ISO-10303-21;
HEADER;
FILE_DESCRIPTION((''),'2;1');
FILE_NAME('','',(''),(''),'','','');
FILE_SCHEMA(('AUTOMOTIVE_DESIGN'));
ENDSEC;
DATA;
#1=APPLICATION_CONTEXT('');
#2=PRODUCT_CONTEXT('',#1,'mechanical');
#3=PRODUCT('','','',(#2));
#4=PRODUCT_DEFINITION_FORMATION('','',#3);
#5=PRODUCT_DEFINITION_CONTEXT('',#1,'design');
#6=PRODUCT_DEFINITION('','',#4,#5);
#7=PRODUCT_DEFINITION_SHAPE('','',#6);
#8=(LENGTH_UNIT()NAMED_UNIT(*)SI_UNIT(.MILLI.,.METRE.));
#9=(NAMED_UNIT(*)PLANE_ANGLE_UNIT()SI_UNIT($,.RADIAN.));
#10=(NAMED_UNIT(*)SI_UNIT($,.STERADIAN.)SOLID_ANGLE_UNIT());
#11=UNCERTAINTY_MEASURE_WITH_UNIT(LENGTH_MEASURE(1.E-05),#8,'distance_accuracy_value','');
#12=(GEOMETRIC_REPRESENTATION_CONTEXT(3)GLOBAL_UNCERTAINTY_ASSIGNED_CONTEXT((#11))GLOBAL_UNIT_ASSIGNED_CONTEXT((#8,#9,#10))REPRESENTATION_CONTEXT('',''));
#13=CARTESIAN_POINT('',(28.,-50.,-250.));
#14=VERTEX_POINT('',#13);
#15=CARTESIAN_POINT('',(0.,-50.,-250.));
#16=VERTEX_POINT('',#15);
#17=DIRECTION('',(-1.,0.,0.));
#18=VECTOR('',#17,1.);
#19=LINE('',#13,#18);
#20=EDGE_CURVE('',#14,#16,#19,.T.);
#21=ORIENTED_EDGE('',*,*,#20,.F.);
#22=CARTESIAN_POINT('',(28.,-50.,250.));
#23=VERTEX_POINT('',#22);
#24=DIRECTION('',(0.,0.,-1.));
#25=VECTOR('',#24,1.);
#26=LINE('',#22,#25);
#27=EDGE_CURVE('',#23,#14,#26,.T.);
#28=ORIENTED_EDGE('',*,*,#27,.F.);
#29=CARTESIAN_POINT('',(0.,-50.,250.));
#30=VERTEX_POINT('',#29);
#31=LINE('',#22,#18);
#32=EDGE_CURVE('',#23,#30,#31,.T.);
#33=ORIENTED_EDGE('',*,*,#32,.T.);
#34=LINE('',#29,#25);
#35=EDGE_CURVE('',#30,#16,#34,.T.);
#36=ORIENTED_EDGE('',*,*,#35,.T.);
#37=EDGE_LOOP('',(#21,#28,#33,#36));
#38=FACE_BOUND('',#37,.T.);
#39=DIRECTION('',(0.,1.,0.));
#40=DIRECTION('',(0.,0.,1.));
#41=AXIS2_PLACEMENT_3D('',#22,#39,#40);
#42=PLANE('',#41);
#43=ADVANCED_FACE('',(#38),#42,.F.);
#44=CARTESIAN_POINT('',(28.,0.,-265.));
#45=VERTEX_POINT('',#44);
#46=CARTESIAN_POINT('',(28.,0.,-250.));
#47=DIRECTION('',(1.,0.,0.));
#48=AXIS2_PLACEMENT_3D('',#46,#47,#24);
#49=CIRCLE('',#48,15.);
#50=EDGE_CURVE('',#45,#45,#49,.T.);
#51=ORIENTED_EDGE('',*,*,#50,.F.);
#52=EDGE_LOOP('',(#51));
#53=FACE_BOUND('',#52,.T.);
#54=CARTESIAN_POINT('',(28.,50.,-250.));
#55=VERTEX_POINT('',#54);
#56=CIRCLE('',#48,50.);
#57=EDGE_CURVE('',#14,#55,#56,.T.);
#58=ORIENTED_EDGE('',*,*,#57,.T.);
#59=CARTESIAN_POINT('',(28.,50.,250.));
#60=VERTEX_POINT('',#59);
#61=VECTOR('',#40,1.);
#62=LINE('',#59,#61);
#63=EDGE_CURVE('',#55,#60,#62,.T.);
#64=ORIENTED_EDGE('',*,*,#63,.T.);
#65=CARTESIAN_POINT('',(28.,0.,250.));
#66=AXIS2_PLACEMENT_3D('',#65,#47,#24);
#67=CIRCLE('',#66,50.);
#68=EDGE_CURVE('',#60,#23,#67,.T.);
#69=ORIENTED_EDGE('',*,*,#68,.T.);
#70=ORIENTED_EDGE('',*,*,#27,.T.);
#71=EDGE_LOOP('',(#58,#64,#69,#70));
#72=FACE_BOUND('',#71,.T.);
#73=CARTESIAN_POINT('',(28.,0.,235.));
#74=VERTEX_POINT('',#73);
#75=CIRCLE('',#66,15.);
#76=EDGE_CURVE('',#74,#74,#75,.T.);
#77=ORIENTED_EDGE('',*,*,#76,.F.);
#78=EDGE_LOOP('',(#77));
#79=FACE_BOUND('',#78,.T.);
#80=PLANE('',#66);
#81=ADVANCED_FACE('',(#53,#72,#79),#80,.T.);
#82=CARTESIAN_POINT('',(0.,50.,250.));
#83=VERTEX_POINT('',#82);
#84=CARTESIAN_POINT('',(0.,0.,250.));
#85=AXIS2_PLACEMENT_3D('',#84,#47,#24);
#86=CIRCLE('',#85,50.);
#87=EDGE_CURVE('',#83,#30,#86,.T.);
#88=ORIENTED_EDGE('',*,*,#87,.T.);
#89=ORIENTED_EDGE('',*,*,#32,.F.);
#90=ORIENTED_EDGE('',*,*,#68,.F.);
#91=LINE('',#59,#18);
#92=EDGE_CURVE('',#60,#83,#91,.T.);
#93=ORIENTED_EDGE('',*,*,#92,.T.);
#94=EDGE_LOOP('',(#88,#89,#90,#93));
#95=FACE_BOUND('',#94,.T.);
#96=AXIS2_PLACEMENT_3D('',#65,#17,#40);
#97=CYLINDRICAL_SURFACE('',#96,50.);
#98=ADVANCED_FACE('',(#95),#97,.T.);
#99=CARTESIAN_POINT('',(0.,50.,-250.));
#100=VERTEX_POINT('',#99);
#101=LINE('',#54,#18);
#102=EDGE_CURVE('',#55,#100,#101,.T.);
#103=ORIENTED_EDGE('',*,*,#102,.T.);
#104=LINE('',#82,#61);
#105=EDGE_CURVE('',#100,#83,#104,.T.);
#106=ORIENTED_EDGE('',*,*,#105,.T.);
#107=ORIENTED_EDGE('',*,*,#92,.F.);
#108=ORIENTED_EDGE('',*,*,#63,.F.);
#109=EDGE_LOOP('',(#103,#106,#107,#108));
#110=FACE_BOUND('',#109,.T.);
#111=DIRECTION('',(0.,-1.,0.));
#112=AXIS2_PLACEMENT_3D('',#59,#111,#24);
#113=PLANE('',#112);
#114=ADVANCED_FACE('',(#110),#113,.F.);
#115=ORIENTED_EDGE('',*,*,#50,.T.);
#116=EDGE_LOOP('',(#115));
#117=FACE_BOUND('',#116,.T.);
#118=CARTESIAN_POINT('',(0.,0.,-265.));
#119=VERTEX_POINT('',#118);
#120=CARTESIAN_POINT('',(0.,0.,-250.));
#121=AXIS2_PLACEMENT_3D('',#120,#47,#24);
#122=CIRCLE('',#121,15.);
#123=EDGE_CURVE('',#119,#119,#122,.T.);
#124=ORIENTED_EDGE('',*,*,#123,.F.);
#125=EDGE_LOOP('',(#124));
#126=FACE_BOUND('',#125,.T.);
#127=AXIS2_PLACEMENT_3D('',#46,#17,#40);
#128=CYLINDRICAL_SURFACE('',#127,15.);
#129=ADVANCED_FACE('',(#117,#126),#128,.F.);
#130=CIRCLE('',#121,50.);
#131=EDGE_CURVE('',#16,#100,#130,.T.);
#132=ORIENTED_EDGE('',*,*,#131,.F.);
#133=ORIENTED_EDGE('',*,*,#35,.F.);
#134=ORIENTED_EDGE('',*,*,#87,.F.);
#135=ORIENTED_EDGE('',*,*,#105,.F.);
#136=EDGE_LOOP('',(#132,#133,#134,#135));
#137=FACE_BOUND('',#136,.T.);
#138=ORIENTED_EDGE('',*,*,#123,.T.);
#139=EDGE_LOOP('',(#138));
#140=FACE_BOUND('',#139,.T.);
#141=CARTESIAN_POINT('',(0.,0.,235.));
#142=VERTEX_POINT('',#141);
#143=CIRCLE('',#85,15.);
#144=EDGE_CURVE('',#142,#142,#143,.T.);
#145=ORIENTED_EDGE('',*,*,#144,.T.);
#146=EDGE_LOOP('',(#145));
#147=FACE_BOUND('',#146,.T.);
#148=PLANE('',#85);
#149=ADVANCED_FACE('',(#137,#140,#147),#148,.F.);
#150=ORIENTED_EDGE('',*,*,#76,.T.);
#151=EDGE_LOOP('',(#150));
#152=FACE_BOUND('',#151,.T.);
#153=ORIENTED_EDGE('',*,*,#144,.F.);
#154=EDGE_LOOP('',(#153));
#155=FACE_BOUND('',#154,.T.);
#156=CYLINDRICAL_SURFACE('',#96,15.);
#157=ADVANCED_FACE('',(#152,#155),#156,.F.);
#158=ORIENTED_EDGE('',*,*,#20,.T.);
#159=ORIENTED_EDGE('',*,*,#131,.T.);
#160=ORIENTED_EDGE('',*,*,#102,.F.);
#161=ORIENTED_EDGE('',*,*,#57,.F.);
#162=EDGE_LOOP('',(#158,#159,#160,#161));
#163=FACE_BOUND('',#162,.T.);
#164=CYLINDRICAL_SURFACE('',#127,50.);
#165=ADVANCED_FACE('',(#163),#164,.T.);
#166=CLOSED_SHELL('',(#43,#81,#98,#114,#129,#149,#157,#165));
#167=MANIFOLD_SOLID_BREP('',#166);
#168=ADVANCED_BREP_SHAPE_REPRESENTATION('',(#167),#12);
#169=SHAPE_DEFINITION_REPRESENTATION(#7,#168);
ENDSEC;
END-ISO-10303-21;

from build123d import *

# Parameters (mm, degrees)
SKETCH_1_R      = 15
EXTRUDE_1_DEPTH = 28


with BuildPart() as part:
    # 草图1 → 凸台-拉伸1 (new body)
    with BuildSketch(Plane(origin=(0, 0, 0), x_dir=(0, 0, -1), z_dir=(1, 0, 0))):
        with BuildLine():
            Line((-250, 50), (250, 50))
            ThreePointArc((250, 50), (300, 0), (250, -50))
            Line((250, -50), (-250, -50))
            ThreePointArc((-250, -50), (-300, 0), (-250, 50))
        make_face()
        with Locations((250, 0)):
            Circle(SKETCH_1_R, mode=Mode.SUBTRACT)
        with Locations((-250, 0)):
            Circle(SKETCH_1_R, mode=Mode.SUBTRACT)
    extrude(amount=EXTRUDE_1_DEPTH)


solid = part.part
